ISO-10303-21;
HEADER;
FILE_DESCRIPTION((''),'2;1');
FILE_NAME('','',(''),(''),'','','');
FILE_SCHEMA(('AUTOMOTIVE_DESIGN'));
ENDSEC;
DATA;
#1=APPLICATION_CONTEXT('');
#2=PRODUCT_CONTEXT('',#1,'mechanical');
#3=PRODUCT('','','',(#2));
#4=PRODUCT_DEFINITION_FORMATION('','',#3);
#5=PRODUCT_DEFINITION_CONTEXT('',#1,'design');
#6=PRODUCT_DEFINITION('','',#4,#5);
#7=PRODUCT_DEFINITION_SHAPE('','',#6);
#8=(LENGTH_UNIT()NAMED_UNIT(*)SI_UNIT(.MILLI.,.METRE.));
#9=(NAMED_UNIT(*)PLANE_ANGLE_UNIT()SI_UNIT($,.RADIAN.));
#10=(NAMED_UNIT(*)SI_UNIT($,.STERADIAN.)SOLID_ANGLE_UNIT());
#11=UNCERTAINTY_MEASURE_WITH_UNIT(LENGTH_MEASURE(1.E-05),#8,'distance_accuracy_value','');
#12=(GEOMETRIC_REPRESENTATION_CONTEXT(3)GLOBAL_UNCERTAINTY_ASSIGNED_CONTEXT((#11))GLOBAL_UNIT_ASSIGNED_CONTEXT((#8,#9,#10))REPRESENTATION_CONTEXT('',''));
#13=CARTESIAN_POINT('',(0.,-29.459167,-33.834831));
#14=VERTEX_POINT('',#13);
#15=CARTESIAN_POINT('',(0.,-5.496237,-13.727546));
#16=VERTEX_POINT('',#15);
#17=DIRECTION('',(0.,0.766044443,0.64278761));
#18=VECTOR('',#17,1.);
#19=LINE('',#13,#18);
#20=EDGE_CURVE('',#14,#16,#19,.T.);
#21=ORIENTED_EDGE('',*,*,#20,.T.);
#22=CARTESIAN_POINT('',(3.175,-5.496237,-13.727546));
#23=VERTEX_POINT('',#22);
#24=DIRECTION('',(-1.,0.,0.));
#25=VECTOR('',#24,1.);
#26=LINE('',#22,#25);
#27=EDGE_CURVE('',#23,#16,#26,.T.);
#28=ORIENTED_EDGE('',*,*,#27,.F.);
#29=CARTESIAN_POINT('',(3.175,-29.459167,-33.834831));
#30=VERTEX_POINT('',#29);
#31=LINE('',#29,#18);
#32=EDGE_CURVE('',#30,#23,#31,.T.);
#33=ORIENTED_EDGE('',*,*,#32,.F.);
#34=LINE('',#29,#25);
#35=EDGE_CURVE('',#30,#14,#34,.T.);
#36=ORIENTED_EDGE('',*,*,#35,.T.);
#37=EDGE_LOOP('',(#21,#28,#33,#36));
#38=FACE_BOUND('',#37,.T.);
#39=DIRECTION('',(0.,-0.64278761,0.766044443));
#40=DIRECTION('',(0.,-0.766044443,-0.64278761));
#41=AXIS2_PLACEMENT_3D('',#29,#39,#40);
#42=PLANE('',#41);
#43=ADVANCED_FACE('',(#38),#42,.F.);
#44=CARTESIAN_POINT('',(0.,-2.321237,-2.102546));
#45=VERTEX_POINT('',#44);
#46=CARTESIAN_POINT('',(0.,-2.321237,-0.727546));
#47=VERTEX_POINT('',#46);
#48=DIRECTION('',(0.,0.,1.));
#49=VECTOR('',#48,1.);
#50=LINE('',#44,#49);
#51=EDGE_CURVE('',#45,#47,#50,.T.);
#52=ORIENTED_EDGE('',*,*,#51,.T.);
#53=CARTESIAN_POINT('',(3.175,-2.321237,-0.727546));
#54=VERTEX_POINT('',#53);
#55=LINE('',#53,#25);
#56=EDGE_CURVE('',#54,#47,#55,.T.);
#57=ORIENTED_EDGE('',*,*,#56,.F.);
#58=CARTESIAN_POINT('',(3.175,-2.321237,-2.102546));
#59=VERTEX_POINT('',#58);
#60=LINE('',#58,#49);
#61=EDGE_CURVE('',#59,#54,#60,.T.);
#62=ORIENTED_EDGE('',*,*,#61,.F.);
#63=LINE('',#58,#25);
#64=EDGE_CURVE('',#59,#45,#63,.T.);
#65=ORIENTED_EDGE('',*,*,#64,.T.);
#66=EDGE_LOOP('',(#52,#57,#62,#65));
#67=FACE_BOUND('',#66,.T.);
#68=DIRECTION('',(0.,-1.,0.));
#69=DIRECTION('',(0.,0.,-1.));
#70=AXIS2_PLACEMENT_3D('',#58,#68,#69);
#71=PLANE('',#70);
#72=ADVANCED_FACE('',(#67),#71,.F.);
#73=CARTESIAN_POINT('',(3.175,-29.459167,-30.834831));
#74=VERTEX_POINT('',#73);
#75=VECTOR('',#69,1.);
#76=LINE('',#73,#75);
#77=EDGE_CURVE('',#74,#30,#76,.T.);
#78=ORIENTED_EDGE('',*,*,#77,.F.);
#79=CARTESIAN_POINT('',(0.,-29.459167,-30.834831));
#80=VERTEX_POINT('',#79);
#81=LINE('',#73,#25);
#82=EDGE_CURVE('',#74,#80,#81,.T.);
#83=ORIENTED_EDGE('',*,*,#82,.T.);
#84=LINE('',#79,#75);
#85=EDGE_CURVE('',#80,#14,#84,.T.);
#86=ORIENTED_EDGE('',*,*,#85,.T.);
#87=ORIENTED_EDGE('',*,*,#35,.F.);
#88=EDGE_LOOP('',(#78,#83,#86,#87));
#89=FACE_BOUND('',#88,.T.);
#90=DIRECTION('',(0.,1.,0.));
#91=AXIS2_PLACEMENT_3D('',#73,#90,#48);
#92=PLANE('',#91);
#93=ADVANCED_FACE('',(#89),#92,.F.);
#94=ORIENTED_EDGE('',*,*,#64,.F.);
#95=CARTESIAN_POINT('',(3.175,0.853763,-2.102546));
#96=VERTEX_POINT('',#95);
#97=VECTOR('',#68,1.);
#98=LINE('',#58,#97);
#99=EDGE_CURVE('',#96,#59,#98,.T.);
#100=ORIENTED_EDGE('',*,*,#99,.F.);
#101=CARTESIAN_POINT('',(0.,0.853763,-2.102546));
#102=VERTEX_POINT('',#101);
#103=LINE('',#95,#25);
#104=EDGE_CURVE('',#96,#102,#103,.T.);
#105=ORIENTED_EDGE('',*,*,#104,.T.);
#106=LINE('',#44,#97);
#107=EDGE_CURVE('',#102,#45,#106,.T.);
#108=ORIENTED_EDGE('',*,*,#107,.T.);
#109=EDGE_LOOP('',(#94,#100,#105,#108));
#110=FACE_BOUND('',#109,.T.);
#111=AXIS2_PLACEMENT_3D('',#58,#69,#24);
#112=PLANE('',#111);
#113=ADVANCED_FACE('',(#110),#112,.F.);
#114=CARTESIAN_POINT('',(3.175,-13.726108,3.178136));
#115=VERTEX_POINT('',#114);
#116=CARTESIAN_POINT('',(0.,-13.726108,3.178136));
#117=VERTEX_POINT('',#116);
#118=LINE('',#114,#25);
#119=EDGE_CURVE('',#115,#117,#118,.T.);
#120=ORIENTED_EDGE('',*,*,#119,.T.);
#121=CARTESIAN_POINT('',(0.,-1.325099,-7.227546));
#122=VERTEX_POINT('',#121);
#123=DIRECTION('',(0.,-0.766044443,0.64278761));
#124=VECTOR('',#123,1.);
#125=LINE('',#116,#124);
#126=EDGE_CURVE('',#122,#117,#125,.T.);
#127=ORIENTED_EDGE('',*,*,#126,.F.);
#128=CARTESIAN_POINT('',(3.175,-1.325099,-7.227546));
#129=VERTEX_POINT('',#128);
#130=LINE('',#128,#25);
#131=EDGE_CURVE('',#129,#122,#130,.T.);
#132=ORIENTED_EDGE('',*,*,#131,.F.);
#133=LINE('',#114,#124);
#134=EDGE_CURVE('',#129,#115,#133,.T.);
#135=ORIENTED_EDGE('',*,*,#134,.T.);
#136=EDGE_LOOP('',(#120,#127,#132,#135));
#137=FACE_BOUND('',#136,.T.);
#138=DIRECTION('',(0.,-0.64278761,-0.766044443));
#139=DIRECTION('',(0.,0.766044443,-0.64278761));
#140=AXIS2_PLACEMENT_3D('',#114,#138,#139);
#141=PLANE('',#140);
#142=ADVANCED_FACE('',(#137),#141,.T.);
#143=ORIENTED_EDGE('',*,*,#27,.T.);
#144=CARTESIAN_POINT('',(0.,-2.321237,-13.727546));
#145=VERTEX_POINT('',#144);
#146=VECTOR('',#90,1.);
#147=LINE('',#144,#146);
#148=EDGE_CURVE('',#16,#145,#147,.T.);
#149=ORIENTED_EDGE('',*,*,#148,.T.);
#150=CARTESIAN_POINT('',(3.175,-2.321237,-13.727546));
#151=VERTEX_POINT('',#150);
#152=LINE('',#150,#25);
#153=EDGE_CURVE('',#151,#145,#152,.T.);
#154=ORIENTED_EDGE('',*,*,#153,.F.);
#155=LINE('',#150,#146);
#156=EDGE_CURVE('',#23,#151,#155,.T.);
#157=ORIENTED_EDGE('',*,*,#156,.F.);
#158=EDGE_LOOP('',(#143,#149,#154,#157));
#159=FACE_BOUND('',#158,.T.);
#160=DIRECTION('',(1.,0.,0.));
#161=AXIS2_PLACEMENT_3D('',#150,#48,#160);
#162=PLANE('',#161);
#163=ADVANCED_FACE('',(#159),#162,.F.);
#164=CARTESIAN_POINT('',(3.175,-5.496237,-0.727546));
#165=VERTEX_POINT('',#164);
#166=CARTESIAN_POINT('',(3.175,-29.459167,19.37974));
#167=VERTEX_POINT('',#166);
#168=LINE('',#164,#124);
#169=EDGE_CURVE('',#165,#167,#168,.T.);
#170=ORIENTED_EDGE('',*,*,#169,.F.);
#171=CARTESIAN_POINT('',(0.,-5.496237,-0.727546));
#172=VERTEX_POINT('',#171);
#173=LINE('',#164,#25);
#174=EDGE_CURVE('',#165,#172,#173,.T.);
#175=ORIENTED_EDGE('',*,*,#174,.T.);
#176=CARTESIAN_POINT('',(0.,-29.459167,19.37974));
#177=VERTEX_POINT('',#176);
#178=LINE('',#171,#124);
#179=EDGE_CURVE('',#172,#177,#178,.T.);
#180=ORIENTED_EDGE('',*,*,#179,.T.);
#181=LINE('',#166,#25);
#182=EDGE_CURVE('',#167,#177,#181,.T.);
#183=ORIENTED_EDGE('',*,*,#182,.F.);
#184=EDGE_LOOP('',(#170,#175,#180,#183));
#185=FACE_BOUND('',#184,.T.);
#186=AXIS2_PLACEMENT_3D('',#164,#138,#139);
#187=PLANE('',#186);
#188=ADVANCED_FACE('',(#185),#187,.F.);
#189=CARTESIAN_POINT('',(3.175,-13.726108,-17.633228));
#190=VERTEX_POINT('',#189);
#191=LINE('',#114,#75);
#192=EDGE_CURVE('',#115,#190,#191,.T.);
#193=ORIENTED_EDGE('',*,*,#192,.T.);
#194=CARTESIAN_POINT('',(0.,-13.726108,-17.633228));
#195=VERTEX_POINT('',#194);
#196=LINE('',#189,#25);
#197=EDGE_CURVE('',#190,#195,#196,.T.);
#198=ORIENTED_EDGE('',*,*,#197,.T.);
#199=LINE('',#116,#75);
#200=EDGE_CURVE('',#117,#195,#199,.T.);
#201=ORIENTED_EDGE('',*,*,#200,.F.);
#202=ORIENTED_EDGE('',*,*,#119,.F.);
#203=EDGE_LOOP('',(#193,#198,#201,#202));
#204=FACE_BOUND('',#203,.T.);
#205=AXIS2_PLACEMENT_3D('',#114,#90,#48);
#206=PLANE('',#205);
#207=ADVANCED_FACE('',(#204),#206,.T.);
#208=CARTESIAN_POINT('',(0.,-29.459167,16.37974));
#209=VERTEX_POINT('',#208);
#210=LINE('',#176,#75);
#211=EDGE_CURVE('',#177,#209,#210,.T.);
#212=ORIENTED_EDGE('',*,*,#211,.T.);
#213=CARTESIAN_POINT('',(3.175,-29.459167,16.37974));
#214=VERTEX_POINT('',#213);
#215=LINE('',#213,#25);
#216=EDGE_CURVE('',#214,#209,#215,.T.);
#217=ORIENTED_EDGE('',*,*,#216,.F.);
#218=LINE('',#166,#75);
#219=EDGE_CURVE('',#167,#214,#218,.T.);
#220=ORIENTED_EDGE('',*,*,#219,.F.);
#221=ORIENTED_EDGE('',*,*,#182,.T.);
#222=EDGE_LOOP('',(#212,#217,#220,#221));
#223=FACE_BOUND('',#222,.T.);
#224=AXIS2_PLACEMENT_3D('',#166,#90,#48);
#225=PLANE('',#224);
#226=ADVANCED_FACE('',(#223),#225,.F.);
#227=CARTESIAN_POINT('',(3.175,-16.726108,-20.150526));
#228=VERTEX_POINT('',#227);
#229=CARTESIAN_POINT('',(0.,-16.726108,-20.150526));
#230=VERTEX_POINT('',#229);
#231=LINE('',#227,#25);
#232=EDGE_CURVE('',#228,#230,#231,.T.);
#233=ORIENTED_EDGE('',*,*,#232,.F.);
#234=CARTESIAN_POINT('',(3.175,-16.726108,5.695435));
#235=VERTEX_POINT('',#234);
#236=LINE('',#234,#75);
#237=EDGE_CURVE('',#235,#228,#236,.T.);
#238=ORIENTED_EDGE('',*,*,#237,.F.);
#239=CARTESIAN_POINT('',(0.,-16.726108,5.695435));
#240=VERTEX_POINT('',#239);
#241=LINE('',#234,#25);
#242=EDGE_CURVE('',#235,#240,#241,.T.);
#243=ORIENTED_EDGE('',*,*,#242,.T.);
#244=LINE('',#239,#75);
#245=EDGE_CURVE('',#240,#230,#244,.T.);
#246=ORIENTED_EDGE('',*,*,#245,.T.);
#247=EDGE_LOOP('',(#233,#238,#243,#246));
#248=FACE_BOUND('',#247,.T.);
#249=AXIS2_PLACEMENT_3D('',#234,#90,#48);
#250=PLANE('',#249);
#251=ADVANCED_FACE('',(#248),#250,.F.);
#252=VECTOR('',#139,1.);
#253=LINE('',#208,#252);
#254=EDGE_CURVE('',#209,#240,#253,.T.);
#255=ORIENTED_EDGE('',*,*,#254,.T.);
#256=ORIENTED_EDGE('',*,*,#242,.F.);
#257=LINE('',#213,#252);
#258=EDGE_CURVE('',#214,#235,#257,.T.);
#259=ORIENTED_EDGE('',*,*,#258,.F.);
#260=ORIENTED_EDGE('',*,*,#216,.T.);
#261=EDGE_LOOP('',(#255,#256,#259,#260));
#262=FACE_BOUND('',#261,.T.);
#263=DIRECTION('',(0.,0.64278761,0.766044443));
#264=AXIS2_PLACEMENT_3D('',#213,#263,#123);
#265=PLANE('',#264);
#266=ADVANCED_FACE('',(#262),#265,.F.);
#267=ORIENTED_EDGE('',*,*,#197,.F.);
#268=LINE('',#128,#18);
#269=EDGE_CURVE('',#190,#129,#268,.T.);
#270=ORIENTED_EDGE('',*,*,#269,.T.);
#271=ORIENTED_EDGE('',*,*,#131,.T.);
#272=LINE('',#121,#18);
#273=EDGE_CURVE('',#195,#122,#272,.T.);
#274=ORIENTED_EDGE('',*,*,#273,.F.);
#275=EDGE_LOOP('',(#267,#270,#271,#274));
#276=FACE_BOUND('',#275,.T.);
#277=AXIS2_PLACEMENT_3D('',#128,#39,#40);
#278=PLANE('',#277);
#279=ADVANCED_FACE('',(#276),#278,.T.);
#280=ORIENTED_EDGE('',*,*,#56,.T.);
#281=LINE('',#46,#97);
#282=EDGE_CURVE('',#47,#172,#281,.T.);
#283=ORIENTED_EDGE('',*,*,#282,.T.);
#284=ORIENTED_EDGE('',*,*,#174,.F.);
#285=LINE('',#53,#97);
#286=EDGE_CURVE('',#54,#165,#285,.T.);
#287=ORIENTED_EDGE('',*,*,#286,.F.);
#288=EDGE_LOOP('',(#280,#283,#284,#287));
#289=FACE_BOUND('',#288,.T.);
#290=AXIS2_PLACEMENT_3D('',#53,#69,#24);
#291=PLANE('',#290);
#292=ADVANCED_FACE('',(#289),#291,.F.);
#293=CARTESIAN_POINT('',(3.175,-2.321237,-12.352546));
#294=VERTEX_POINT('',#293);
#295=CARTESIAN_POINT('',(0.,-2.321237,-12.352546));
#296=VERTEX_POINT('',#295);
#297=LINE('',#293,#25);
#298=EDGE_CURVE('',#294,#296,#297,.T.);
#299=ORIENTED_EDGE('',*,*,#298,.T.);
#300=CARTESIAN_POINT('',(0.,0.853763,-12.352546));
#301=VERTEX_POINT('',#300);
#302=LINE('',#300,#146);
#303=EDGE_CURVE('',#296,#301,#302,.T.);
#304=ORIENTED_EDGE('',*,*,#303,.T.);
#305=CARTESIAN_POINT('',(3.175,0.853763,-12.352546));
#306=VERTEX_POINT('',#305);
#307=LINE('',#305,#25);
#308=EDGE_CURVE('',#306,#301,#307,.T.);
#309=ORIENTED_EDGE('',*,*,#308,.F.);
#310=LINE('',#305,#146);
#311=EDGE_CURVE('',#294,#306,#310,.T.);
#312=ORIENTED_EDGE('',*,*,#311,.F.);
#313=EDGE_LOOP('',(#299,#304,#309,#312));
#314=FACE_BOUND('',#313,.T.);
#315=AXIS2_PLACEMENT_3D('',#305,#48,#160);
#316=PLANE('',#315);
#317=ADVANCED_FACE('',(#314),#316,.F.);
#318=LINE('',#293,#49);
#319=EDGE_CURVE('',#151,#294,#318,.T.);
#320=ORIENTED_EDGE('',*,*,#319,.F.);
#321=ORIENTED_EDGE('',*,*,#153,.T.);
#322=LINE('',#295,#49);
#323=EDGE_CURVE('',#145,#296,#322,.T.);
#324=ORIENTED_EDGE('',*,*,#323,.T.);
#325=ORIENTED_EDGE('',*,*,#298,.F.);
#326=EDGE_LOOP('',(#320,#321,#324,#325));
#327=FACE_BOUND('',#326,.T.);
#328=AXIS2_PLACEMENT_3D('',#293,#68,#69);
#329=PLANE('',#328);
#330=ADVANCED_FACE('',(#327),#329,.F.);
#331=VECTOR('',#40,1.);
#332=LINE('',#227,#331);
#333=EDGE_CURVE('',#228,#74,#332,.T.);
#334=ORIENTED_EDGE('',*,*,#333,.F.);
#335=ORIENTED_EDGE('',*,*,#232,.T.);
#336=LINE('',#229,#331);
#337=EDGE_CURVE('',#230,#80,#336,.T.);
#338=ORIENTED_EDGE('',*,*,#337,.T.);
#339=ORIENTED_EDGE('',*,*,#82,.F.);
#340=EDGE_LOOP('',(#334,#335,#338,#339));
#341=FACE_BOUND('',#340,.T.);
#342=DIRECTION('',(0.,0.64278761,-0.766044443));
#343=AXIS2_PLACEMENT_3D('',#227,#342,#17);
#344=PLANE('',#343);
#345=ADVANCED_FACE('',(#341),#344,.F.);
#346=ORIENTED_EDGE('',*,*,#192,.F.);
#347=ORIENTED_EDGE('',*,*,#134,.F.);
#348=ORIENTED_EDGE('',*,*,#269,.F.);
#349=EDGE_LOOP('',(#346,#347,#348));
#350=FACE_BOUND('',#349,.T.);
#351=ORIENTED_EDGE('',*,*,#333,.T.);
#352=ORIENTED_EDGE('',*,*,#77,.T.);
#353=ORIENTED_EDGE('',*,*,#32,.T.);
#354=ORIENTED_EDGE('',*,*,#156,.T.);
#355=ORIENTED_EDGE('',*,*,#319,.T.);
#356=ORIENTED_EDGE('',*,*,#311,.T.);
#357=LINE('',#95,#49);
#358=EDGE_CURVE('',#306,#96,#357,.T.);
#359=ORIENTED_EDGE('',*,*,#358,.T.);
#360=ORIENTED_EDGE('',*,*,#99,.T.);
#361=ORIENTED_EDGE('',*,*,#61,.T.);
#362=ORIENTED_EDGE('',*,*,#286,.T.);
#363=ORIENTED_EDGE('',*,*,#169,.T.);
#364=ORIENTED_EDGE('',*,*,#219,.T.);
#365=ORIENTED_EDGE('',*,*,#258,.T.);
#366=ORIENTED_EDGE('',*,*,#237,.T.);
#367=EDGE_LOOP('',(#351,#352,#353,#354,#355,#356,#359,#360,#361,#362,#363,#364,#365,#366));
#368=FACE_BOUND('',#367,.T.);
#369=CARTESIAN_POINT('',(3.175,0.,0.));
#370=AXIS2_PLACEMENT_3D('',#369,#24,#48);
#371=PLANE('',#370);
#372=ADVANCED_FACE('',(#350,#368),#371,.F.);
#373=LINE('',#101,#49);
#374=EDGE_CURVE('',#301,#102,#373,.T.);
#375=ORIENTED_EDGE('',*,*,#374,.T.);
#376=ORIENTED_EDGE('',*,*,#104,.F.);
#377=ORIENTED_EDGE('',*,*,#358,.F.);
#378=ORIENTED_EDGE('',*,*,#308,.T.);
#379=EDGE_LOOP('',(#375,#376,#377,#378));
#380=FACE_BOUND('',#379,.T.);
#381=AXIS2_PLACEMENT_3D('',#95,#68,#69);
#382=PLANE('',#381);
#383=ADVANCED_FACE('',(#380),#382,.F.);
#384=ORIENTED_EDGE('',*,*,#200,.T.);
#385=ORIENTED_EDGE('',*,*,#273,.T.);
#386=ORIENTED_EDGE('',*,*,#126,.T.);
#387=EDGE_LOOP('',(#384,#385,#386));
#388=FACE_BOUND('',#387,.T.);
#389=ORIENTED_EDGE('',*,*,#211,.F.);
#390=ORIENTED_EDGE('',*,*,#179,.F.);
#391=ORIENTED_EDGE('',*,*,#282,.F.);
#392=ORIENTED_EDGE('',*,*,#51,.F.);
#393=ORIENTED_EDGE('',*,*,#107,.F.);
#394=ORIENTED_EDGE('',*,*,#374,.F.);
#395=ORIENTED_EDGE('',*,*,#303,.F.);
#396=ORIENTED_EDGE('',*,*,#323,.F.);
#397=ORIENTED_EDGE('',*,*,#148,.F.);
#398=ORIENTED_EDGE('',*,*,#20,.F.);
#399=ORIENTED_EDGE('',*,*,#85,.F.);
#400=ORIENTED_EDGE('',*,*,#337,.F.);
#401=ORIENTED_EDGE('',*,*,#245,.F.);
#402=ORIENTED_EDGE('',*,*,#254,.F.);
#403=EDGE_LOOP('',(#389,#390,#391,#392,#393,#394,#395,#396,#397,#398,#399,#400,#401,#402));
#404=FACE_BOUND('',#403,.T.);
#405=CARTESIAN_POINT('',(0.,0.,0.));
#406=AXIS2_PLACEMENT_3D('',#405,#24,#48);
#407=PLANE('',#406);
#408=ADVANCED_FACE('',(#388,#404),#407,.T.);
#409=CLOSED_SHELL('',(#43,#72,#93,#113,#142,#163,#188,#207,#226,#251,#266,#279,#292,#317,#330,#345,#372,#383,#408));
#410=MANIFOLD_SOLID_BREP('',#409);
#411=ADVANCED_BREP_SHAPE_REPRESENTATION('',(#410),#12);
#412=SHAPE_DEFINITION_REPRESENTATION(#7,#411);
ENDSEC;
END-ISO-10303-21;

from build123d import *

# Parameters (mm, degrees)
BOSS_EXTRUDE2_DEPTH = 3.175


with BuildPart() as part:
    # Sketch1 → Boss-Extrude2 (new body)
    with BuildSketch(Plane(origin=(0, 0, 0), x_dir=(0, 0, -1), z_dir=(1, 0, 0))):
        Polygon((0.727545577, -5.496236961), (-19.379740188, -29.459167008), (-16.379740188, -29.459167008), (-5.695435338, -16.726108319), (20.150526491, -16.726108319), (30.834831341, -29.459167008), (33.834831341, -29.459167008), (13.727545577, -5.496236961), (13.727545577, -2.321236961), (12.352545577, -2.321236961), (12.352545577, 0.853763039), (2.102545577, 0.853763039), (2.102545577, -2.321236961), (0.727545577, -2.321236961), align=None)
        Polygon((7.227545577, -1.325099387), (17.633227598, -13.726108319), (-3.178136444, -13.726108319), align=None, mode=Mode.SUBTRACT)
    extrude(amount=BOSS_EXTRUDE2_DEPTH)


solid = part.part
